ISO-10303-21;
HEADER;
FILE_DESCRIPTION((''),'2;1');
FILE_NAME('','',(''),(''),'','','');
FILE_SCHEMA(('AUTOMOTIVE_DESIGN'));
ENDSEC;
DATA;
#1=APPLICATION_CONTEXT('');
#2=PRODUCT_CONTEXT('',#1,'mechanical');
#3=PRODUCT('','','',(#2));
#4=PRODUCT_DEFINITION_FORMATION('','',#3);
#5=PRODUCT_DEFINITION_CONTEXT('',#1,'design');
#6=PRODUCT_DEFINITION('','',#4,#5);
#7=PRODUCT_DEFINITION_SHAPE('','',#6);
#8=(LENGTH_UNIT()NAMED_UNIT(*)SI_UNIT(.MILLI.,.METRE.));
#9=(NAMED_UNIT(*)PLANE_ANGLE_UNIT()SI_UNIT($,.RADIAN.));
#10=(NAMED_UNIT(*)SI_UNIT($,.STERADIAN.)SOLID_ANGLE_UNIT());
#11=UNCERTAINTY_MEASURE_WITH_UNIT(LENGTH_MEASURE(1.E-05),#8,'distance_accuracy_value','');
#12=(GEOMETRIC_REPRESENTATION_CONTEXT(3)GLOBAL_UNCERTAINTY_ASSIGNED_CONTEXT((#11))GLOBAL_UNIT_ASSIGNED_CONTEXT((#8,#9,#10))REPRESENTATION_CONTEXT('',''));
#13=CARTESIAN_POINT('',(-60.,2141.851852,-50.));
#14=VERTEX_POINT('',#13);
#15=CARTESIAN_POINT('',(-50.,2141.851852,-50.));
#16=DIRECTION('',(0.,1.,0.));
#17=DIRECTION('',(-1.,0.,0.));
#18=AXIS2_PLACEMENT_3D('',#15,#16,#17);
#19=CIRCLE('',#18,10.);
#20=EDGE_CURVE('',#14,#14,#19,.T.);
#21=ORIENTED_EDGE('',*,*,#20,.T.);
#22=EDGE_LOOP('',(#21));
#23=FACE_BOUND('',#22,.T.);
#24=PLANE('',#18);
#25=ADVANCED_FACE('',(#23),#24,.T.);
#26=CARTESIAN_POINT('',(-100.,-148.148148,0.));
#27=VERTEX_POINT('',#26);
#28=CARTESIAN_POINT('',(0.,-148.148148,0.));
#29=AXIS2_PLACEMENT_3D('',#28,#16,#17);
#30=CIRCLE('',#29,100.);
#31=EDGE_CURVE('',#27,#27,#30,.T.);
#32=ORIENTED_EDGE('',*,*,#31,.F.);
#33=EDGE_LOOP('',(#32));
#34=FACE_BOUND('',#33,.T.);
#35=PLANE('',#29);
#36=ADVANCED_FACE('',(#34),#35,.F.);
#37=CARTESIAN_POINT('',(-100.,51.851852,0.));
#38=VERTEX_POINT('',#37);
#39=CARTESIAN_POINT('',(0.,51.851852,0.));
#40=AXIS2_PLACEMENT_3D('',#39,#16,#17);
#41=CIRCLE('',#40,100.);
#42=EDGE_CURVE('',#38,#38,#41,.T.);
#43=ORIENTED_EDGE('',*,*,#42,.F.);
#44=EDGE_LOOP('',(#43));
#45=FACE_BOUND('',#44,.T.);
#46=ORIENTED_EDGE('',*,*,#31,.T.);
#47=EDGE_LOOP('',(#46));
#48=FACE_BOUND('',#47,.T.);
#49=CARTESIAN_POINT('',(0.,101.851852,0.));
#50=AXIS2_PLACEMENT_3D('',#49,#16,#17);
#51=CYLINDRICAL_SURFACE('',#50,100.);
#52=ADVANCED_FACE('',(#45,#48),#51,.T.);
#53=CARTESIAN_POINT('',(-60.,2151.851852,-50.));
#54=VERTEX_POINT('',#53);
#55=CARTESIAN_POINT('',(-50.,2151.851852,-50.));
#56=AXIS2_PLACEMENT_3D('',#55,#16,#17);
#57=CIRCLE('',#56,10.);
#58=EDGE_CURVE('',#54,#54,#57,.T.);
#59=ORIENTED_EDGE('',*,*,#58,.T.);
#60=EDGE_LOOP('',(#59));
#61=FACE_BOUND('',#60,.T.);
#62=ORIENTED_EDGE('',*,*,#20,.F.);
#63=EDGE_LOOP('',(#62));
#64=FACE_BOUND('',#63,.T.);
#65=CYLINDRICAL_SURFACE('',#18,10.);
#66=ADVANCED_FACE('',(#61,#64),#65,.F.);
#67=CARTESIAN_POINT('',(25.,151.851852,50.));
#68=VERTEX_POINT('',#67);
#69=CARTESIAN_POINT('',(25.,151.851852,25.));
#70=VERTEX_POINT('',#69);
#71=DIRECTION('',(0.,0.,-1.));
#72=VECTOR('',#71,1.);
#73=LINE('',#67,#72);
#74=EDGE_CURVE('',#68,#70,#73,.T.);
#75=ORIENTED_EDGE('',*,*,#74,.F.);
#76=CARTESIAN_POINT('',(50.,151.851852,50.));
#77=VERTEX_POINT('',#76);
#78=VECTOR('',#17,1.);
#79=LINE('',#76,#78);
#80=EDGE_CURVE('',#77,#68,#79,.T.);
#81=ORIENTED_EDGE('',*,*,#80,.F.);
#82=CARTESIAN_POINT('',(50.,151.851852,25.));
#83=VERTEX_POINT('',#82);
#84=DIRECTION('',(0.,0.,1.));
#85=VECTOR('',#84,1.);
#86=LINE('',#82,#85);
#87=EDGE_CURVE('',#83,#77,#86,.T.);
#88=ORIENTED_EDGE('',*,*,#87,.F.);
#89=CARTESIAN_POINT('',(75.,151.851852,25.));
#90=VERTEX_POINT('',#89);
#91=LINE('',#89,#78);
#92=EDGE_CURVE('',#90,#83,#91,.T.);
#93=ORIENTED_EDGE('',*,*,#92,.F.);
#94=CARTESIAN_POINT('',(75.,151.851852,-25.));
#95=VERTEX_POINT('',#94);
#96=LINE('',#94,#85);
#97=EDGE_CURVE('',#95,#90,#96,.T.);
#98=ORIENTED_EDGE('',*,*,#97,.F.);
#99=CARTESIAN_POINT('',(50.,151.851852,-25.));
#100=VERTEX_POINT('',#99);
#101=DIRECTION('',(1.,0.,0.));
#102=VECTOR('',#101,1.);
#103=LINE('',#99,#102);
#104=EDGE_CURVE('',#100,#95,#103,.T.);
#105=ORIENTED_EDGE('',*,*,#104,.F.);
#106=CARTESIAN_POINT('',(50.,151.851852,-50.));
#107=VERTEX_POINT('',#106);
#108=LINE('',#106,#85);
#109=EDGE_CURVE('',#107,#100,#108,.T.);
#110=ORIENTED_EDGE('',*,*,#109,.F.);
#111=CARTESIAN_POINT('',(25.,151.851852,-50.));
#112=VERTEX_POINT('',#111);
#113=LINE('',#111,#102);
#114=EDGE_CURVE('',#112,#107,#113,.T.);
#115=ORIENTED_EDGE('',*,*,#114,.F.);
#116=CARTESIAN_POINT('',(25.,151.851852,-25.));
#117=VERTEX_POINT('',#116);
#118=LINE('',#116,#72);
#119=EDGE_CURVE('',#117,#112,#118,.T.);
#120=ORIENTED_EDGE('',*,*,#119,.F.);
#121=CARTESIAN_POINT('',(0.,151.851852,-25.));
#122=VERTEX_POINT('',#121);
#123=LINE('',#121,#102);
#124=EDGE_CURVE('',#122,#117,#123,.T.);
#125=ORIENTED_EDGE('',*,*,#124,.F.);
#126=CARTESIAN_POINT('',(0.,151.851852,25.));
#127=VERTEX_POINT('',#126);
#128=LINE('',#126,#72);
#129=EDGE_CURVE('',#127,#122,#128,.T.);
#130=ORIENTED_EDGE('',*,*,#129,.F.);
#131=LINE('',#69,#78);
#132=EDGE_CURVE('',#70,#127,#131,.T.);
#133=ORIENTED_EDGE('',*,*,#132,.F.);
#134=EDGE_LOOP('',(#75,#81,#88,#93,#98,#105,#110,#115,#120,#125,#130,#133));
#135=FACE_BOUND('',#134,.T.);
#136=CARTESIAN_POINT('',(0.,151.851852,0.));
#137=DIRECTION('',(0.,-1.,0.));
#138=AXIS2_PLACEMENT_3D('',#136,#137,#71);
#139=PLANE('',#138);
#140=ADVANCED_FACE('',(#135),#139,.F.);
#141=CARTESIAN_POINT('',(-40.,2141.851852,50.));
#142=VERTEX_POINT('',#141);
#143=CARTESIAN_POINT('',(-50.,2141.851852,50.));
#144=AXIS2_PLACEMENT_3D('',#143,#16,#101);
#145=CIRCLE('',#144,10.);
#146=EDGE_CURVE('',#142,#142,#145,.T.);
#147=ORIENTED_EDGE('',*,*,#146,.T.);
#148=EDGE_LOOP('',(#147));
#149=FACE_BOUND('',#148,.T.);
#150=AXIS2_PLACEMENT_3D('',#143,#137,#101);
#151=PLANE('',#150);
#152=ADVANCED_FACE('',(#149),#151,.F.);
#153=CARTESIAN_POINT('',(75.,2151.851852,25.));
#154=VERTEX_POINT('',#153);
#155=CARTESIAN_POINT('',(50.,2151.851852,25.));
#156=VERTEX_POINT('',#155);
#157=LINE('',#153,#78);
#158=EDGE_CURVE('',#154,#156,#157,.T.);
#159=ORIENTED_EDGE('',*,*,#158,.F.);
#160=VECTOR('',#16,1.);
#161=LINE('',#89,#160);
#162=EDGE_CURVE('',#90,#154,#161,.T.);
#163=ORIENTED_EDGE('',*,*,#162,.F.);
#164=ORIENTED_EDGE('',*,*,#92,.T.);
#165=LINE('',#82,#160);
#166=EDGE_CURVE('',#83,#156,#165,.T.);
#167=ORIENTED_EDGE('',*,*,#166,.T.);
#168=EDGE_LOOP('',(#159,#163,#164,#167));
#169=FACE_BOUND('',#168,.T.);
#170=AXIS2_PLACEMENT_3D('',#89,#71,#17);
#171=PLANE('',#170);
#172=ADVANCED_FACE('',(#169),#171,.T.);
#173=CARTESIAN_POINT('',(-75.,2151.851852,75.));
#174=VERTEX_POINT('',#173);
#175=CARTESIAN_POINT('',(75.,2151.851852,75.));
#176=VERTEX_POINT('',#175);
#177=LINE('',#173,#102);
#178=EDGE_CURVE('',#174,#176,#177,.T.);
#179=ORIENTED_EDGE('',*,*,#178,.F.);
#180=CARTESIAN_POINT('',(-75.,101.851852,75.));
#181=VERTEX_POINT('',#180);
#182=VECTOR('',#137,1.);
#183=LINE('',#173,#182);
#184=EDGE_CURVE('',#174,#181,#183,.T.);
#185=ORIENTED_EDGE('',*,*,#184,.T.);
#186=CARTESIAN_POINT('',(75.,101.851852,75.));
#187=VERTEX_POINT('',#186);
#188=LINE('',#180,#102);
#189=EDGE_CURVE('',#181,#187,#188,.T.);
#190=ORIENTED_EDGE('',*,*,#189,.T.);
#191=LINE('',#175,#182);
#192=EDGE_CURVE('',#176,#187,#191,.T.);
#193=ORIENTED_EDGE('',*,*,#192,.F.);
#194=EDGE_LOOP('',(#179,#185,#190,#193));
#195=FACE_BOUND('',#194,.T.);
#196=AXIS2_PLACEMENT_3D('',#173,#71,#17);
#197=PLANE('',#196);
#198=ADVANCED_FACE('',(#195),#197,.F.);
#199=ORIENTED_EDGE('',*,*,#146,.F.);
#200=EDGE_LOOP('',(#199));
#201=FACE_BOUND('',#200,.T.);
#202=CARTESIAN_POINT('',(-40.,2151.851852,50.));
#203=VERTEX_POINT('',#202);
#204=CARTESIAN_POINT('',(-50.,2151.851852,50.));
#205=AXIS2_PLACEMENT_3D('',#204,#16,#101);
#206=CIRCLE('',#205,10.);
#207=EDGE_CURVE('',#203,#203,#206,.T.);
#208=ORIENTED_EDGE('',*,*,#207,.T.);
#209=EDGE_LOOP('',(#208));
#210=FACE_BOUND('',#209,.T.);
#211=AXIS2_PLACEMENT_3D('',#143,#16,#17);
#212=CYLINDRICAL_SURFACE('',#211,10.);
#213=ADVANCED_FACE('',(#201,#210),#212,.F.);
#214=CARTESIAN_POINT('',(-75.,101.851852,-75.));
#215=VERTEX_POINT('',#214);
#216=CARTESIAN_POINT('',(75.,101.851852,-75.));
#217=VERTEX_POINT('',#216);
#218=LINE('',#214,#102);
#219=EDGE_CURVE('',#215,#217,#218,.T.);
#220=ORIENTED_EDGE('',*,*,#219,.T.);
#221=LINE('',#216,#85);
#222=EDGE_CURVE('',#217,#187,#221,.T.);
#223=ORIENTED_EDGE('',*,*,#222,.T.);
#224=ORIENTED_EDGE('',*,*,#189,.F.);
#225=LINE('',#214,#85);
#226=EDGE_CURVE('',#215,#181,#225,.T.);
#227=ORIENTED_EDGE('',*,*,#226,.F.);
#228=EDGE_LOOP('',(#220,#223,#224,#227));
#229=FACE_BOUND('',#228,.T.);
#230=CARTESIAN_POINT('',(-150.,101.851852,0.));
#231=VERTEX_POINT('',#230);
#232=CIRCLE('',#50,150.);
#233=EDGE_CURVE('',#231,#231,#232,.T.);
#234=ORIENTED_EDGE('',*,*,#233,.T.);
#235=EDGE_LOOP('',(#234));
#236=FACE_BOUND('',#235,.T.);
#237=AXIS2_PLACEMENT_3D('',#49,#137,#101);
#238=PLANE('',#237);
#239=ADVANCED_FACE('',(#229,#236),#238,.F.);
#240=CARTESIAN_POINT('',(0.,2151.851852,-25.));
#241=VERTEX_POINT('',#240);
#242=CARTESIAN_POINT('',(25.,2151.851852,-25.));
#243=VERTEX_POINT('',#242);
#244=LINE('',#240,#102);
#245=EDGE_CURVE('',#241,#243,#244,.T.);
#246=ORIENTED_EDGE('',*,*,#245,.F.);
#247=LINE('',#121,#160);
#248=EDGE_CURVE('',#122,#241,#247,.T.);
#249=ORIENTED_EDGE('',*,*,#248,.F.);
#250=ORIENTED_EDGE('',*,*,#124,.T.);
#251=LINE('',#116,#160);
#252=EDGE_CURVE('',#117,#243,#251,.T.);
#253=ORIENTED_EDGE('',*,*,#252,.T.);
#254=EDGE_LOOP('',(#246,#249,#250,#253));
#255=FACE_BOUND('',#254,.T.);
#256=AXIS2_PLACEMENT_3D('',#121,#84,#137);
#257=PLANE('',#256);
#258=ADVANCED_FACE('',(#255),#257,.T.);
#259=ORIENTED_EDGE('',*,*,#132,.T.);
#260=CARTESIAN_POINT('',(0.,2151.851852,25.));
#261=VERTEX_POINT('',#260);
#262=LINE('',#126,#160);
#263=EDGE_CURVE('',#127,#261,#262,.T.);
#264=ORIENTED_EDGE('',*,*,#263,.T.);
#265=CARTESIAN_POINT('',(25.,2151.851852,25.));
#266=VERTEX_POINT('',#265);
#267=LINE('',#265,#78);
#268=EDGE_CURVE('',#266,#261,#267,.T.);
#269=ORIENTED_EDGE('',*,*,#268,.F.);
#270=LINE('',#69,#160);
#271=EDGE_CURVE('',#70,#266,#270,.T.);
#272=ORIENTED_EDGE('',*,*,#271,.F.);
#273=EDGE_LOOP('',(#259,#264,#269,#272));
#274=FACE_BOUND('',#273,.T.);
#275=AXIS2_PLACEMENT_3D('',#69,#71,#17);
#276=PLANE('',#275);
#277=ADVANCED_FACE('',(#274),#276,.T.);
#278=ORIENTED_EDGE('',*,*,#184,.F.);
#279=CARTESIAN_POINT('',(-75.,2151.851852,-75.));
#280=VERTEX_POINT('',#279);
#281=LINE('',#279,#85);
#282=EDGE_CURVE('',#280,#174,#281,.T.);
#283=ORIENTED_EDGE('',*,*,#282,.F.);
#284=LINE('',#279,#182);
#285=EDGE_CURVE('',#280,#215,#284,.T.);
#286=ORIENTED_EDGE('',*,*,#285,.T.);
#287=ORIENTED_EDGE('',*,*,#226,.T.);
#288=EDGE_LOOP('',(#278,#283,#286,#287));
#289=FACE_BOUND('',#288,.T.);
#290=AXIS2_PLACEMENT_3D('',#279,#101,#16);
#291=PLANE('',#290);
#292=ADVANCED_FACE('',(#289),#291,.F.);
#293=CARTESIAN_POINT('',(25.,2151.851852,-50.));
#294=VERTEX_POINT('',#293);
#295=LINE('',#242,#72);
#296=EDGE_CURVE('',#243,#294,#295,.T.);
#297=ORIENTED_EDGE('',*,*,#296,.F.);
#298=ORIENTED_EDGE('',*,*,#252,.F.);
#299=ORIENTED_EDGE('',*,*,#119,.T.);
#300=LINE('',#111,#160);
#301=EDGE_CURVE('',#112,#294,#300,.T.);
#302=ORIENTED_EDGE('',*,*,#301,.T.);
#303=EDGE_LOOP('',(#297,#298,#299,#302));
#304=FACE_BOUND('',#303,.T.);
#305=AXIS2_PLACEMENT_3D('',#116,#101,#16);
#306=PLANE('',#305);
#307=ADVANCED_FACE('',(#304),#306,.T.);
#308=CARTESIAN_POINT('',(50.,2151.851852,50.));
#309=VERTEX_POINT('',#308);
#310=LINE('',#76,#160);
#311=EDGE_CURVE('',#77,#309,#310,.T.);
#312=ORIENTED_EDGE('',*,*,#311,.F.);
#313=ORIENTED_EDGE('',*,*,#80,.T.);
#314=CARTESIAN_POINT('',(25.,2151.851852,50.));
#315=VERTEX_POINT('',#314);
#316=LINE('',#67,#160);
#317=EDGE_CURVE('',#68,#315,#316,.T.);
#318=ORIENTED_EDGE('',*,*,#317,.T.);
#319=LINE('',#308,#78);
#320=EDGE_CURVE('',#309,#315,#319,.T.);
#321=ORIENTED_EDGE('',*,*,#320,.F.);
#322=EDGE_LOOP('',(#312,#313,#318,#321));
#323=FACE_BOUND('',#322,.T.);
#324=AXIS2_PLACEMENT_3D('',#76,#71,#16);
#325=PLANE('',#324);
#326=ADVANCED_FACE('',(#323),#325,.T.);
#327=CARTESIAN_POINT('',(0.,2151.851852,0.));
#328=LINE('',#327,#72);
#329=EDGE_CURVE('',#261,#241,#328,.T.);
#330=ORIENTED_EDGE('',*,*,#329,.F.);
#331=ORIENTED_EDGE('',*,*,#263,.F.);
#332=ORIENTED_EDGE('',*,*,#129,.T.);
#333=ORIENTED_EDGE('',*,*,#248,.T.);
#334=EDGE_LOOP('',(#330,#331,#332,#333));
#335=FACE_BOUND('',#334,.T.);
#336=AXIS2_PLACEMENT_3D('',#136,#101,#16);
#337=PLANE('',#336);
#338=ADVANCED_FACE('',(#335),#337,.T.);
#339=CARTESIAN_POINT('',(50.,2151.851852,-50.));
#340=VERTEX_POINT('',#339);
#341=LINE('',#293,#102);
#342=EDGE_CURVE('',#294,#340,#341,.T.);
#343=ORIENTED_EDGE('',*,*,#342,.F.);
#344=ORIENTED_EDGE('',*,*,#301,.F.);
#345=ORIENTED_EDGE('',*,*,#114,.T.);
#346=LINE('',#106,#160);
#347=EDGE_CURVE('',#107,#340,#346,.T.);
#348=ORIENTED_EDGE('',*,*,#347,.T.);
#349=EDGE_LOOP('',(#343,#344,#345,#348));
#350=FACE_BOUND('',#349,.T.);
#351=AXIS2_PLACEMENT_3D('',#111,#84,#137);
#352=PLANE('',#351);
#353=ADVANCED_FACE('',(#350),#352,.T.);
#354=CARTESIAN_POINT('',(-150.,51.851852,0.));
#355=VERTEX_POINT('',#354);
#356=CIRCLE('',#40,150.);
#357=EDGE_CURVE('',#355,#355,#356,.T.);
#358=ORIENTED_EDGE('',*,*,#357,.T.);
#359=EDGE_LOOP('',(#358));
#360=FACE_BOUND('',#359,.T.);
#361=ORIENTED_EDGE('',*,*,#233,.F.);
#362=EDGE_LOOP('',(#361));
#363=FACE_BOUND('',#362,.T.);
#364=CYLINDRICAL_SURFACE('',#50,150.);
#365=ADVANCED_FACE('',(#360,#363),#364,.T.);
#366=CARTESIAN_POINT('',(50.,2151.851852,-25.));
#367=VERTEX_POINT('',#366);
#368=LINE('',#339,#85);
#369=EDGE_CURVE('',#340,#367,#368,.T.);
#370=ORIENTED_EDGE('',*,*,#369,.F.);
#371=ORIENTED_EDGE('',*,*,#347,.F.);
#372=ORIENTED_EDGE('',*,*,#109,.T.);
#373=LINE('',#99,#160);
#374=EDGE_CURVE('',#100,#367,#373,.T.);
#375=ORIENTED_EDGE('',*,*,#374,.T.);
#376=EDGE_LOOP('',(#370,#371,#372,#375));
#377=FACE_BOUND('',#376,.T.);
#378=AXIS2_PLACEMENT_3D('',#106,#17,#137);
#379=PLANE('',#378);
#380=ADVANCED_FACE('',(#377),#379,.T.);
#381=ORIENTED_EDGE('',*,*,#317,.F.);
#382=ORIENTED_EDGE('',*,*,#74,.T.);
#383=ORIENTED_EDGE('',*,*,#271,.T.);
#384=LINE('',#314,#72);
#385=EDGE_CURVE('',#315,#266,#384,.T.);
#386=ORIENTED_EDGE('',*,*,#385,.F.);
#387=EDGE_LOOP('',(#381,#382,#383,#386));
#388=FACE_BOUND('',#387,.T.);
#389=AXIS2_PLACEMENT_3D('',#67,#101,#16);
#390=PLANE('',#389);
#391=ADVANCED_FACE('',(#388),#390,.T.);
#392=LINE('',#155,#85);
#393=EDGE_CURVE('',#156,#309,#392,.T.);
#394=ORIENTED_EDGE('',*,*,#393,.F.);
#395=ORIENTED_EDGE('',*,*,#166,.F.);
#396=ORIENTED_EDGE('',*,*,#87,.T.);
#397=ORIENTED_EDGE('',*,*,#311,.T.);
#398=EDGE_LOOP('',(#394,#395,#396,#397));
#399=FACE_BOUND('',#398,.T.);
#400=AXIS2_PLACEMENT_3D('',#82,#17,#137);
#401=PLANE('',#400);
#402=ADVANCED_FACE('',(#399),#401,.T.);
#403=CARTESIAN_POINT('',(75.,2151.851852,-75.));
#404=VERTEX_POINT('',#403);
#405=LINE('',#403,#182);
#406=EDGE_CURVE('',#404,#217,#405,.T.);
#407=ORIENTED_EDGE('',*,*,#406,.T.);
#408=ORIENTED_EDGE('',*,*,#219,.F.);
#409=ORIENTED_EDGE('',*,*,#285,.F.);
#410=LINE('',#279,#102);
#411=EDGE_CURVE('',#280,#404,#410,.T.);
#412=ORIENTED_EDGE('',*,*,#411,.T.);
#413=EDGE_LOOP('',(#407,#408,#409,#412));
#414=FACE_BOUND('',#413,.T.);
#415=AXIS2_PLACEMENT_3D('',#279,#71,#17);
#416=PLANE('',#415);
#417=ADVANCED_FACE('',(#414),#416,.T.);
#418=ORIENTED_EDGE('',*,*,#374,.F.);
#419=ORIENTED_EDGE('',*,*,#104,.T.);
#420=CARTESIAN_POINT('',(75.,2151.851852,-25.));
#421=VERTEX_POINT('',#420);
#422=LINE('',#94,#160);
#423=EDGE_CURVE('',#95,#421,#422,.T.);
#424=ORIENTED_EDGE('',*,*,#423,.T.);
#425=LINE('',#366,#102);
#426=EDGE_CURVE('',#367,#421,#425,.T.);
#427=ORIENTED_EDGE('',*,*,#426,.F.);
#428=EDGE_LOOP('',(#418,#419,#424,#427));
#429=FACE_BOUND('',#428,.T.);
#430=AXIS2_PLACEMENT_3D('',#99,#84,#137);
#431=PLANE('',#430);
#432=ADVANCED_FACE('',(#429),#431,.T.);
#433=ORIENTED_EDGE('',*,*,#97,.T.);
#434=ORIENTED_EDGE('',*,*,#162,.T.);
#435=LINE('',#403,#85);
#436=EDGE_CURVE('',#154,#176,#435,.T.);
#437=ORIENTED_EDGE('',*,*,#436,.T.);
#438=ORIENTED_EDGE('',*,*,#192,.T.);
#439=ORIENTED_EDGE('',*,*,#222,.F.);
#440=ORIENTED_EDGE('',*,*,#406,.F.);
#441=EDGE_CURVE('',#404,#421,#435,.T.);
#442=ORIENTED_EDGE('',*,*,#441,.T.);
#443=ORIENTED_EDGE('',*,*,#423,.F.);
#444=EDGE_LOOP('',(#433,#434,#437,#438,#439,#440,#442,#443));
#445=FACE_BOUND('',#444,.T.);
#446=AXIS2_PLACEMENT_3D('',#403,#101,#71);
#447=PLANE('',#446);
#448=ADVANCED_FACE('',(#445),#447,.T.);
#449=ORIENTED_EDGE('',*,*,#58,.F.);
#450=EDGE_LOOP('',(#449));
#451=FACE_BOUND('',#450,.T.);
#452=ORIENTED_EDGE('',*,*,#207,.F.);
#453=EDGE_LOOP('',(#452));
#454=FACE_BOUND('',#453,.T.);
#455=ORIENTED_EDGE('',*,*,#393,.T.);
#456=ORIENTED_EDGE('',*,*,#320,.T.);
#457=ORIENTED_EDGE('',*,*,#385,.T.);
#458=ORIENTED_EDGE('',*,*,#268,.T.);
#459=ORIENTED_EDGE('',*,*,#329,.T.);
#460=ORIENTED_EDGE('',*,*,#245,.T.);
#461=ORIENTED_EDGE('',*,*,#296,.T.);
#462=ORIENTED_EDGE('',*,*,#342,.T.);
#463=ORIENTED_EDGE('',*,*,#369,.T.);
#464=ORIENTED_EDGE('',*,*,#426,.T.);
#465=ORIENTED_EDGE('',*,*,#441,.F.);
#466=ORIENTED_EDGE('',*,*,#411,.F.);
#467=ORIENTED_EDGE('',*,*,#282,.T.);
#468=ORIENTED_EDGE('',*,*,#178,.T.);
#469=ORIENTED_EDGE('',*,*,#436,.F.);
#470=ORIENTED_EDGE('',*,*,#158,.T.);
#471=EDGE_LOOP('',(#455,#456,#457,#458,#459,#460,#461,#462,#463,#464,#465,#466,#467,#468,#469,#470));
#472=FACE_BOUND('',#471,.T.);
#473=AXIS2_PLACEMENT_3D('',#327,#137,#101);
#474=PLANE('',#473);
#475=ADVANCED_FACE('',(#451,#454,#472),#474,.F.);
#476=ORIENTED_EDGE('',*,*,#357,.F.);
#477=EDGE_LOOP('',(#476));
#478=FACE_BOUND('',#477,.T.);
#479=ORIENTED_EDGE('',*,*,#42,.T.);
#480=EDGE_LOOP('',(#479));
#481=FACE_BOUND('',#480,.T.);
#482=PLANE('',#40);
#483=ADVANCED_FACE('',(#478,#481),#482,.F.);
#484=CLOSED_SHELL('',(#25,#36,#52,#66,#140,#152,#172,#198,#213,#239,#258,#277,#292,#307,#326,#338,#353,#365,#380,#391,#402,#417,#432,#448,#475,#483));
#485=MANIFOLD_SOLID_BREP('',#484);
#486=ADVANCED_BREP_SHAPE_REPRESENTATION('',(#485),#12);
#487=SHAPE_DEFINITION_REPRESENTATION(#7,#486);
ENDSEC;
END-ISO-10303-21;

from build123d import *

# Parameters (mm, degrees)
SKETCH5_W           = 150
SKETCH5_H           = 150
BOSS_EXTRUDE1_DEPTH = 2050
CUT_EXTRUDE1_DEPTH  = 2000
SKETCH8_R           = 10
CUT_EXTRUDE2_DEPTH  = 10


with BuildPart() as part:
    # Sketch4 → Revolve1 (revolve)
    with BuildSketch(Plane.XY):
        Polygon((0, 101.851851852), (0, -148.148148148), (100, -148.148148148), (100, 51.851851852), (150, 51.851851852), (150, 101.851851852), align=None)
    revolve(axis=Axis((0, 101.851851852, 0), (0, -1, 0)))

    # Sketch5 → Boss-Extrude1 (add)
    with BuildSketch(Plane(origin=(0, 101.851851852, 0), x_dir=(1, 0, 0), z_dir=(0, 1, 0))):
        Rectangle(SKETCH5_W, SKETCH5_H)
    extrude(amount=BOSS_EXTRUDE1_DEPTH)

    # Sketch6 → Cut-Extrude1 (cut)
    with BuildSketch(Plane(origin=(0, 2151.851851852, 0), x_dir=(1, 0, 0), z_dir=(0, 1, 0))):
        Polygon((0, 0), (0, 25), (25, 25), (25, 50), (50, 50), (50, 25), (75, 25), (75, -25), (50, -25), (50, -50), (25, -50), (25, -25), (0, -25), align=None)
    extrude(amount=-CUT_EXTRUDE1_DEPTH, mode=Mode.SUBTRACT)

    # Sketch8 → Cut-Extrude2 (cut)
    with BuildSketch(Plane(origin=(0, 2151.851851852, 0), x_dir=(1, 0, 0), z_dir=(0, 1, 0))):
        with Locations((-50, 50)):
            Circle(SKETCH8_R)
        with Locations((-50, -50)):
            Circle(SKETCH8_R)
    extrude(amount=-CUT_EXTRUDE2_DEPTH, mode=Mode.SUBTRACT)


solid = part.part
